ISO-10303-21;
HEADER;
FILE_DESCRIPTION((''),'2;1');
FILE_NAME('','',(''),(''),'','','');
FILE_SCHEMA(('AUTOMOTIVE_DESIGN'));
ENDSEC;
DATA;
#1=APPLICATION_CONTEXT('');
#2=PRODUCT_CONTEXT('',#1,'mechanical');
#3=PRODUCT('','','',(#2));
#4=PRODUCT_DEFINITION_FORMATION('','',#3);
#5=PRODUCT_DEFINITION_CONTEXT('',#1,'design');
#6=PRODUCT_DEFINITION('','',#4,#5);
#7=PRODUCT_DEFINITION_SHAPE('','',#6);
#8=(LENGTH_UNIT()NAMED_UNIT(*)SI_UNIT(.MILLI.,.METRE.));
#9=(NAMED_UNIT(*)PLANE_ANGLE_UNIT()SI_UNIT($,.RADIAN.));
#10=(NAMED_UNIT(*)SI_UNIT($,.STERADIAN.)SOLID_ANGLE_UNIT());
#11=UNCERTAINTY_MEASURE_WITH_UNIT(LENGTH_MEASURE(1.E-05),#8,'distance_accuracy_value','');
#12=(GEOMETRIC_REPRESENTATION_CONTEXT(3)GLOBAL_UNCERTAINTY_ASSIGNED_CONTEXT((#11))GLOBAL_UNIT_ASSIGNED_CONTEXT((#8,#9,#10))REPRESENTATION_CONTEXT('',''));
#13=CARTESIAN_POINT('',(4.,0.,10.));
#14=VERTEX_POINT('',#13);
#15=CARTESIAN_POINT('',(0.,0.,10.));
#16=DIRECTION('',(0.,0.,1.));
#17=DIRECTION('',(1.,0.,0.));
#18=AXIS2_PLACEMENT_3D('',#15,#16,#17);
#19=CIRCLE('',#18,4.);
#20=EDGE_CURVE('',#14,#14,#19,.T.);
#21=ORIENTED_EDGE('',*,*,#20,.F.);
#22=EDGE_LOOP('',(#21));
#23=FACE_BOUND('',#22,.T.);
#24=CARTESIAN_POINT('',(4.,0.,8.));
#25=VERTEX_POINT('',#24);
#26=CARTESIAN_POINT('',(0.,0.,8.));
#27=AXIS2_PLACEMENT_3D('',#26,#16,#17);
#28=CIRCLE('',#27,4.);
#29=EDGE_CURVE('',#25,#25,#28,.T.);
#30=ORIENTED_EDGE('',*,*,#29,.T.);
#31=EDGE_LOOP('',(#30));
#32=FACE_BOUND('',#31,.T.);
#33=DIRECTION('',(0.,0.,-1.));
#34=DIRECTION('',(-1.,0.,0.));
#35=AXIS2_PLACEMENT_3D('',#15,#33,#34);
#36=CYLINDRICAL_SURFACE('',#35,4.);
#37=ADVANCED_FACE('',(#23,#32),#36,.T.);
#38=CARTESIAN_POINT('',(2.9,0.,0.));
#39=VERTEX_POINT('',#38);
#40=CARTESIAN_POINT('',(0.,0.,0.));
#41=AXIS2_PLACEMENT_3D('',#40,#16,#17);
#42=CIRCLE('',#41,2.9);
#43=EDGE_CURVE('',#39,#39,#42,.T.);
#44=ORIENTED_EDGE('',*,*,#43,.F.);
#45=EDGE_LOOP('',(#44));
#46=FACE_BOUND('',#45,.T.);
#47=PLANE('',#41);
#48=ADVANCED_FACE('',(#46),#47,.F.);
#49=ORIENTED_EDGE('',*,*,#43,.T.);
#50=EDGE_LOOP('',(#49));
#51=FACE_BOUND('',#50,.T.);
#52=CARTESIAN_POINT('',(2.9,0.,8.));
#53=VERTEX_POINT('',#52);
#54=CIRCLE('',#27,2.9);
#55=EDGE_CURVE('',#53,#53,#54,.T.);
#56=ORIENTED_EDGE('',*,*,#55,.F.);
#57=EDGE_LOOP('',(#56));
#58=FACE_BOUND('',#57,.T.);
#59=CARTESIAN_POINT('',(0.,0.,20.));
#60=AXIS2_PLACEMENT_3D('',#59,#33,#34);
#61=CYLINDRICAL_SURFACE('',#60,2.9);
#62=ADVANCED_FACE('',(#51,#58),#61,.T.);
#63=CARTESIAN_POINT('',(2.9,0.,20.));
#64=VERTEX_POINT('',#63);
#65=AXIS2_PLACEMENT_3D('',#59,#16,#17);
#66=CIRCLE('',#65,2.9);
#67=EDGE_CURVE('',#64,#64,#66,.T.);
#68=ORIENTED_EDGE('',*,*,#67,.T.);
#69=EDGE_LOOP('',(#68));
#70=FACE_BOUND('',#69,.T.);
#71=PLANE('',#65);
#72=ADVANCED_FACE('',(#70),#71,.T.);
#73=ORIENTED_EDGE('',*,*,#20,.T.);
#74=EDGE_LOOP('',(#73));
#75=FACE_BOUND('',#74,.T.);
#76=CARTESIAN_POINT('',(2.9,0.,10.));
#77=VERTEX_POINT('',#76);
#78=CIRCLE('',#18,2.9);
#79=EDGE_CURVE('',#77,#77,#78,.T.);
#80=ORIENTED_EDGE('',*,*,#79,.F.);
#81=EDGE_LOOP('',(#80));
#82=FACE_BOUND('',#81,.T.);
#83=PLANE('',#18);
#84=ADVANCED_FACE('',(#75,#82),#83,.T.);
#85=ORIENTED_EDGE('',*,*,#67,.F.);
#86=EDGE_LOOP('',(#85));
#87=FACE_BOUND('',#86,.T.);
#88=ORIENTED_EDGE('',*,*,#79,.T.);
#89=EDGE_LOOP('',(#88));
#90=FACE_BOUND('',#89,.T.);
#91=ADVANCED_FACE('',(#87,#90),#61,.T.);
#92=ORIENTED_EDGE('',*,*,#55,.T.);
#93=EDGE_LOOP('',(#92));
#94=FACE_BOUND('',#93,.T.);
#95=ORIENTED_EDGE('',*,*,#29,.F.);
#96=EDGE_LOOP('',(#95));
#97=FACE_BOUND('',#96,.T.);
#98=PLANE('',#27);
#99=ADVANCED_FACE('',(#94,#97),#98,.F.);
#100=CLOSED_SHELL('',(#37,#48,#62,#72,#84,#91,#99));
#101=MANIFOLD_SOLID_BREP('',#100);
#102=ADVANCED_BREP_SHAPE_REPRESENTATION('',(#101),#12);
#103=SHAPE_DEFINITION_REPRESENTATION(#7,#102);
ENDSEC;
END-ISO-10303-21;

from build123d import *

# Parameters (mm, degrees)
SKETCH2_R              = 2.9
LOCATOR_SHAFT_DEPTH    = 20
LOCATOR_SHOULDER_START = 8
SKETCH3_R              = 4
LOCATOR_SHOULDER_DEPTH = 2


with BuildPart() as part:
    # Sketch2 → Locator_shaft (new body)
    with BuildSketch(Plane.XY):
        Circle(SKETCH2_R)
    extrude(amount=LOCATOR_SHAFT_DEPTH)

    # Sketch3 → Locator_shoulder (add)
    with BuildSketch(Plane.XY.offset(LOCATOR_SHOULDER_START)):
        Circle(SKETCH3_R)
    extrude(amount=LOCATOR_SHOULDER_DEPTH)


solid = part.part
